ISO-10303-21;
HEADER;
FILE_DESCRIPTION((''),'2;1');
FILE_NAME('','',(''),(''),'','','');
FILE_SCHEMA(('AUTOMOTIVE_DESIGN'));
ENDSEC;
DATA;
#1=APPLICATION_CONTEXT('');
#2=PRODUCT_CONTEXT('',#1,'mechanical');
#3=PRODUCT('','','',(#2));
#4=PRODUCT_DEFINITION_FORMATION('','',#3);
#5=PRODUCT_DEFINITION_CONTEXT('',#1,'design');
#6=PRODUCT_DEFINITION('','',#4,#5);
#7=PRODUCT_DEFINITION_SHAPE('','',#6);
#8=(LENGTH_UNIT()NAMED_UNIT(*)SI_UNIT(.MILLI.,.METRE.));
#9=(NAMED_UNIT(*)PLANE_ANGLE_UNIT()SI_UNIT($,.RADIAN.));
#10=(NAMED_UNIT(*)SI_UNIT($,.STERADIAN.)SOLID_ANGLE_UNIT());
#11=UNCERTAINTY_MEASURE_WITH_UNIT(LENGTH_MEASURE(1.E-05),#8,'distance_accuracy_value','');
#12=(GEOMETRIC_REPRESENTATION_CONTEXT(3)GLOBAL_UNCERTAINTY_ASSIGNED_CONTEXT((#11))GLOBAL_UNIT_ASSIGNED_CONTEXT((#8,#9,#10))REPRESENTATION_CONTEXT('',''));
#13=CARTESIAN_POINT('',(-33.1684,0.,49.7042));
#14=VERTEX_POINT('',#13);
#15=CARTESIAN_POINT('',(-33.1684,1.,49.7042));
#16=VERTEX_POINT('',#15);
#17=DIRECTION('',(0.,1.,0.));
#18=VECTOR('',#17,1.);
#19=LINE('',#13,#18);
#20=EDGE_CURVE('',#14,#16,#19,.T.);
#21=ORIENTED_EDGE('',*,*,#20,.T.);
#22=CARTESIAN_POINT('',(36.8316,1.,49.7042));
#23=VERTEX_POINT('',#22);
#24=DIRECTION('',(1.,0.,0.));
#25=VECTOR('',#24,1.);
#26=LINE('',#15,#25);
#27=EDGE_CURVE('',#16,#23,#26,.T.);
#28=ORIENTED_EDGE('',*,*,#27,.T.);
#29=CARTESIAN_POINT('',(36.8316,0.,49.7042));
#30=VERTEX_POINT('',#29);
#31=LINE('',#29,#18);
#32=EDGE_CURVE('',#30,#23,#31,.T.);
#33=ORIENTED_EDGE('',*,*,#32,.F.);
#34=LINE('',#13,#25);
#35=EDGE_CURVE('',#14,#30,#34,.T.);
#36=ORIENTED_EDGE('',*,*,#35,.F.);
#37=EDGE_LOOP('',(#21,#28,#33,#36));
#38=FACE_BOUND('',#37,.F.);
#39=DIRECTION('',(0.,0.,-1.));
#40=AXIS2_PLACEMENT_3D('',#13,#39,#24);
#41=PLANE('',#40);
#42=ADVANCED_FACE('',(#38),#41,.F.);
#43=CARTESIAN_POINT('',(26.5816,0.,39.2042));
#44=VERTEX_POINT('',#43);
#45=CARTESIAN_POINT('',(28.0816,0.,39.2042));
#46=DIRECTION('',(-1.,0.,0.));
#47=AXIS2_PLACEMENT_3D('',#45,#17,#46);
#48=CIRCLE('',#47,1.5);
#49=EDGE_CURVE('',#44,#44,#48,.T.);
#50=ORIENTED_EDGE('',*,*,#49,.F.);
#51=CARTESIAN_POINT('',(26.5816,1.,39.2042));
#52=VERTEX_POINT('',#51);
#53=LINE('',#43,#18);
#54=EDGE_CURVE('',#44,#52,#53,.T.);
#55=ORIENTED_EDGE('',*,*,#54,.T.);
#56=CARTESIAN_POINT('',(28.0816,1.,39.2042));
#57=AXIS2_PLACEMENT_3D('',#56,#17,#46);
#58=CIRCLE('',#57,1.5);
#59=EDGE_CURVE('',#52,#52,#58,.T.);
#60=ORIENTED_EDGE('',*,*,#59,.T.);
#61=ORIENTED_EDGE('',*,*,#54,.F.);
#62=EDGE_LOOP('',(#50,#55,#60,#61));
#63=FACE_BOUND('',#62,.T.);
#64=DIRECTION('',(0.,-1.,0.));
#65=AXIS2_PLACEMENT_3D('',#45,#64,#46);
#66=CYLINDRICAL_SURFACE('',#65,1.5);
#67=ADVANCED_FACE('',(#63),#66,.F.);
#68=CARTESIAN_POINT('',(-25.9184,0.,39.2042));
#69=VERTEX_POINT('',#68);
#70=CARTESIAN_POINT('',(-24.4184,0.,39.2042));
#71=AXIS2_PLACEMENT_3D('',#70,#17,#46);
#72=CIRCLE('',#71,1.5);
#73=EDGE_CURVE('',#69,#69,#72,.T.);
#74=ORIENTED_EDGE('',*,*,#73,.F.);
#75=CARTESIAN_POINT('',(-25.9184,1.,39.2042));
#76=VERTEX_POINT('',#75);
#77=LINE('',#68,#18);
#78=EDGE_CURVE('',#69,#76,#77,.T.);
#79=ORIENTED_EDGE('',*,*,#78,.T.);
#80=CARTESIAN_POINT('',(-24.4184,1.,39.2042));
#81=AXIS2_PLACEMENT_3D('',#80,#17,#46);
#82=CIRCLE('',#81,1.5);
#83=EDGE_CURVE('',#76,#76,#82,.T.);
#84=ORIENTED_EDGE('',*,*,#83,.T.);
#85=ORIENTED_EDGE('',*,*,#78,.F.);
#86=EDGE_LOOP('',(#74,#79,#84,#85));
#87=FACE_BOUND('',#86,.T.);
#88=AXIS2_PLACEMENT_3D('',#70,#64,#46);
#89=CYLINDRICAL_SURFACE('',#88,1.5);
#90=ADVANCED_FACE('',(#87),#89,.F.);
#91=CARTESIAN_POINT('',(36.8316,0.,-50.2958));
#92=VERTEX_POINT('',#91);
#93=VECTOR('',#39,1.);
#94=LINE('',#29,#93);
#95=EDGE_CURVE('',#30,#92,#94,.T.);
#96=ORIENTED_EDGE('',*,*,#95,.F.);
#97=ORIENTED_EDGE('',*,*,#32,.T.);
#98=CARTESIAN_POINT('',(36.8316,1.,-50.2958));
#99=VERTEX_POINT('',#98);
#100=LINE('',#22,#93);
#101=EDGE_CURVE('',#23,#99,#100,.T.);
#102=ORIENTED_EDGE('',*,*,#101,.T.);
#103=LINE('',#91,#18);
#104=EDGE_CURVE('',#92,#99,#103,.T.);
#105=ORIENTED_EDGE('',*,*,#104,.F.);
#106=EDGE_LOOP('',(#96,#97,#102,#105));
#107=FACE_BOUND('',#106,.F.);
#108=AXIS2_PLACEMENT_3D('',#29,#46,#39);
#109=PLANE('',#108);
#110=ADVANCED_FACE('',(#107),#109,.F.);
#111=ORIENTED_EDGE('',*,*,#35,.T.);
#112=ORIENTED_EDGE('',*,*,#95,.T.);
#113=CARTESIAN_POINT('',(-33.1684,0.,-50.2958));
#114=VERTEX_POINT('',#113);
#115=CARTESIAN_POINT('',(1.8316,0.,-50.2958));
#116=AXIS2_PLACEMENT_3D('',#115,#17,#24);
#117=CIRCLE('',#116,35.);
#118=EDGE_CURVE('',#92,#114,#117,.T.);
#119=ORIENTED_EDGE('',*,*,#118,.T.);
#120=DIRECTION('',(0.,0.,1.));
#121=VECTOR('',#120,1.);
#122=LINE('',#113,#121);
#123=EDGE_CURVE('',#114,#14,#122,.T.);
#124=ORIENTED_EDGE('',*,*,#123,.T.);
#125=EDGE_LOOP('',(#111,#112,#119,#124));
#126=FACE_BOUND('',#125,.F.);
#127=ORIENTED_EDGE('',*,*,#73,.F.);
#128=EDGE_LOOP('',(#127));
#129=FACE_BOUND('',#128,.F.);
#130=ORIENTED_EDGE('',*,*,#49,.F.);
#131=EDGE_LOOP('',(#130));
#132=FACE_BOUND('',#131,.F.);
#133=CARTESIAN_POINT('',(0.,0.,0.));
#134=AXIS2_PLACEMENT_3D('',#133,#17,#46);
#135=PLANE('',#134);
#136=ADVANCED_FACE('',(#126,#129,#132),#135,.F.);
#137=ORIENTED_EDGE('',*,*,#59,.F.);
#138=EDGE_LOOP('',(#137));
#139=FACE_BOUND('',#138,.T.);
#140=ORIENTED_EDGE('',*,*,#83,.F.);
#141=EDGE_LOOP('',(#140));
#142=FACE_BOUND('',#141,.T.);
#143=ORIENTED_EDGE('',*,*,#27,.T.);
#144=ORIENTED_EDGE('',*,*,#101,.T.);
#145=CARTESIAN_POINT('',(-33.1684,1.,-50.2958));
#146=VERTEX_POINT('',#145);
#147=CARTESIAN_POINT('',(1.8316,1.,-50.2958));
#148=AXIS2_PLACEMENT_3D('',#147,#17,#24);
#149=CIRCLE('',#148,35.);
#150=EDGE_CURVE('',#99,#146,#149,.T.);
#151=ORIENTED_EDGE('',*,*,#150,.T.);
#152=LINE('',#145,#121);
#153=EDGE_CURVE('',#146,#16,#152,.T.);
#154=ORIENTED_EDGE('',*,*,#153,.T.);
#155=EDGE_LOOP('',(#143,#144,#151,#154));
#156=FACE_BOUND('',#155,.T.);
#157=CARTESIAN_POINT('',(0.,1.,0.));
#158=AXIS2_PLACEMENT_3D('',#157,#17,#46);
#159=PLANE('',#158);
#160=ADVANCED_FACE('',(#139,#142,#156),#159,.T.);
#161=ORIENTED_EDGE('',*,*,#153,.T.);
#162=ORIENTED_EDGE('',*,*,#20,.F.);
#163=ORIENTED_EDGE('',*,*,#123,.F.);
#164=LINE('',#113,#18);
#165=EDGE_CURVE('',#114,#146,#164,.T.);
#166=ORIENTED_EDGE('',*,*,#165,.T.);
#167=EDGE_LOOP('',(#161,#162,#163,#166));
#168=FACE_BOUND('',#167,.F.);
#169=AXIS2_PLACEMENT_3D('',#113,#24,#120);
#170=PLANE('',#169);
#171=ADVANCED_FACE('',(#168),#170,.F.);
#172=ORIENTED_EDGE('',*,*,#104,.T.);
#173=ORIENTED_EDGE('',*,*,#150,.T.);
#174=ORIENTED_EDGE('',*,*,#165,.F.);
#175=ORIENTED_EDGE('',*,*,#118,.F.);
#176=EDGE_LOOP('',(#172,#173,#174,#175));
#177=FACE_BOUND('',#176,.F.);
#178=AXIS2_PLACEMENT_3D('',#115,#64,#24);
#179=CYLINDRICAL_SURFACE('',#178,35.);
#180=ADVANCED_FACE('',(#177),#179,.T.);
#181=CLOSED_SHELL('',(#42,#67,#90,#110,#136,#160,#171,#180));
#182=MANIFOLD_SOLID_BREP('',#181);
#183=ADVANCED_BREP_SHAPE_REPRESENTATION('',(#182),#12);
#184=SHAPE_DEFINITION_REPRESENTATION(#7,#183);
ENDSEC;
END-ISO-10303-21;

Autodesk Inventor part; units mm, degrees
ref_plane "YZ Plane" through (0, 0, 0) normal (1, 0, 0) x (0, 1, 0)
ref_plane "XZ Plane" through (0, 0, 0) normal (0, 1, 0) x (-1, 0, 0)
ref_plane "XY Plane" through (0, 0, 0) normal (0, 0, 1) x (1, 0, 0)
sketch "Sketch1" plane through (0, 0, 0) normal (0, 1, 0) x (-1, 0, 0)
  line L0 (33.1684, 49.7042) -> (-36.8316, 49.7042)
  line L1 (-36.8316, 49.7042) -> (-36.8316, -50.2958)
  line L2 (-36.8316, -50.2958) -> (33.1684, -50.2958)
  line L3 (33.1684, -50.2958) -> (33.1684, 49.7042)
  arc A0 (-36.8316, -50.2958) -> (33.1684, -50.2958) centre (-1.8316, -50.2958) ccw
  circle A1 centre (24.4184, 39.2042) radius 1.5
  circle A2 centre (-28.0816, 39.2042) radius 1.5
  point P0 (0, 0)
  dimension "d0" = 100
  dimension "d1" = 70
  dimension "d2" = 10.5
  dimension "d4" = 10.5
  dimension "d8" = 3
  dimension "d9" = 3
  dimension "d12" = 52.5
extrude "Extrusion1" add sketch "Sketch1" along normal blind 1
properties part number "Magnetplatte"
